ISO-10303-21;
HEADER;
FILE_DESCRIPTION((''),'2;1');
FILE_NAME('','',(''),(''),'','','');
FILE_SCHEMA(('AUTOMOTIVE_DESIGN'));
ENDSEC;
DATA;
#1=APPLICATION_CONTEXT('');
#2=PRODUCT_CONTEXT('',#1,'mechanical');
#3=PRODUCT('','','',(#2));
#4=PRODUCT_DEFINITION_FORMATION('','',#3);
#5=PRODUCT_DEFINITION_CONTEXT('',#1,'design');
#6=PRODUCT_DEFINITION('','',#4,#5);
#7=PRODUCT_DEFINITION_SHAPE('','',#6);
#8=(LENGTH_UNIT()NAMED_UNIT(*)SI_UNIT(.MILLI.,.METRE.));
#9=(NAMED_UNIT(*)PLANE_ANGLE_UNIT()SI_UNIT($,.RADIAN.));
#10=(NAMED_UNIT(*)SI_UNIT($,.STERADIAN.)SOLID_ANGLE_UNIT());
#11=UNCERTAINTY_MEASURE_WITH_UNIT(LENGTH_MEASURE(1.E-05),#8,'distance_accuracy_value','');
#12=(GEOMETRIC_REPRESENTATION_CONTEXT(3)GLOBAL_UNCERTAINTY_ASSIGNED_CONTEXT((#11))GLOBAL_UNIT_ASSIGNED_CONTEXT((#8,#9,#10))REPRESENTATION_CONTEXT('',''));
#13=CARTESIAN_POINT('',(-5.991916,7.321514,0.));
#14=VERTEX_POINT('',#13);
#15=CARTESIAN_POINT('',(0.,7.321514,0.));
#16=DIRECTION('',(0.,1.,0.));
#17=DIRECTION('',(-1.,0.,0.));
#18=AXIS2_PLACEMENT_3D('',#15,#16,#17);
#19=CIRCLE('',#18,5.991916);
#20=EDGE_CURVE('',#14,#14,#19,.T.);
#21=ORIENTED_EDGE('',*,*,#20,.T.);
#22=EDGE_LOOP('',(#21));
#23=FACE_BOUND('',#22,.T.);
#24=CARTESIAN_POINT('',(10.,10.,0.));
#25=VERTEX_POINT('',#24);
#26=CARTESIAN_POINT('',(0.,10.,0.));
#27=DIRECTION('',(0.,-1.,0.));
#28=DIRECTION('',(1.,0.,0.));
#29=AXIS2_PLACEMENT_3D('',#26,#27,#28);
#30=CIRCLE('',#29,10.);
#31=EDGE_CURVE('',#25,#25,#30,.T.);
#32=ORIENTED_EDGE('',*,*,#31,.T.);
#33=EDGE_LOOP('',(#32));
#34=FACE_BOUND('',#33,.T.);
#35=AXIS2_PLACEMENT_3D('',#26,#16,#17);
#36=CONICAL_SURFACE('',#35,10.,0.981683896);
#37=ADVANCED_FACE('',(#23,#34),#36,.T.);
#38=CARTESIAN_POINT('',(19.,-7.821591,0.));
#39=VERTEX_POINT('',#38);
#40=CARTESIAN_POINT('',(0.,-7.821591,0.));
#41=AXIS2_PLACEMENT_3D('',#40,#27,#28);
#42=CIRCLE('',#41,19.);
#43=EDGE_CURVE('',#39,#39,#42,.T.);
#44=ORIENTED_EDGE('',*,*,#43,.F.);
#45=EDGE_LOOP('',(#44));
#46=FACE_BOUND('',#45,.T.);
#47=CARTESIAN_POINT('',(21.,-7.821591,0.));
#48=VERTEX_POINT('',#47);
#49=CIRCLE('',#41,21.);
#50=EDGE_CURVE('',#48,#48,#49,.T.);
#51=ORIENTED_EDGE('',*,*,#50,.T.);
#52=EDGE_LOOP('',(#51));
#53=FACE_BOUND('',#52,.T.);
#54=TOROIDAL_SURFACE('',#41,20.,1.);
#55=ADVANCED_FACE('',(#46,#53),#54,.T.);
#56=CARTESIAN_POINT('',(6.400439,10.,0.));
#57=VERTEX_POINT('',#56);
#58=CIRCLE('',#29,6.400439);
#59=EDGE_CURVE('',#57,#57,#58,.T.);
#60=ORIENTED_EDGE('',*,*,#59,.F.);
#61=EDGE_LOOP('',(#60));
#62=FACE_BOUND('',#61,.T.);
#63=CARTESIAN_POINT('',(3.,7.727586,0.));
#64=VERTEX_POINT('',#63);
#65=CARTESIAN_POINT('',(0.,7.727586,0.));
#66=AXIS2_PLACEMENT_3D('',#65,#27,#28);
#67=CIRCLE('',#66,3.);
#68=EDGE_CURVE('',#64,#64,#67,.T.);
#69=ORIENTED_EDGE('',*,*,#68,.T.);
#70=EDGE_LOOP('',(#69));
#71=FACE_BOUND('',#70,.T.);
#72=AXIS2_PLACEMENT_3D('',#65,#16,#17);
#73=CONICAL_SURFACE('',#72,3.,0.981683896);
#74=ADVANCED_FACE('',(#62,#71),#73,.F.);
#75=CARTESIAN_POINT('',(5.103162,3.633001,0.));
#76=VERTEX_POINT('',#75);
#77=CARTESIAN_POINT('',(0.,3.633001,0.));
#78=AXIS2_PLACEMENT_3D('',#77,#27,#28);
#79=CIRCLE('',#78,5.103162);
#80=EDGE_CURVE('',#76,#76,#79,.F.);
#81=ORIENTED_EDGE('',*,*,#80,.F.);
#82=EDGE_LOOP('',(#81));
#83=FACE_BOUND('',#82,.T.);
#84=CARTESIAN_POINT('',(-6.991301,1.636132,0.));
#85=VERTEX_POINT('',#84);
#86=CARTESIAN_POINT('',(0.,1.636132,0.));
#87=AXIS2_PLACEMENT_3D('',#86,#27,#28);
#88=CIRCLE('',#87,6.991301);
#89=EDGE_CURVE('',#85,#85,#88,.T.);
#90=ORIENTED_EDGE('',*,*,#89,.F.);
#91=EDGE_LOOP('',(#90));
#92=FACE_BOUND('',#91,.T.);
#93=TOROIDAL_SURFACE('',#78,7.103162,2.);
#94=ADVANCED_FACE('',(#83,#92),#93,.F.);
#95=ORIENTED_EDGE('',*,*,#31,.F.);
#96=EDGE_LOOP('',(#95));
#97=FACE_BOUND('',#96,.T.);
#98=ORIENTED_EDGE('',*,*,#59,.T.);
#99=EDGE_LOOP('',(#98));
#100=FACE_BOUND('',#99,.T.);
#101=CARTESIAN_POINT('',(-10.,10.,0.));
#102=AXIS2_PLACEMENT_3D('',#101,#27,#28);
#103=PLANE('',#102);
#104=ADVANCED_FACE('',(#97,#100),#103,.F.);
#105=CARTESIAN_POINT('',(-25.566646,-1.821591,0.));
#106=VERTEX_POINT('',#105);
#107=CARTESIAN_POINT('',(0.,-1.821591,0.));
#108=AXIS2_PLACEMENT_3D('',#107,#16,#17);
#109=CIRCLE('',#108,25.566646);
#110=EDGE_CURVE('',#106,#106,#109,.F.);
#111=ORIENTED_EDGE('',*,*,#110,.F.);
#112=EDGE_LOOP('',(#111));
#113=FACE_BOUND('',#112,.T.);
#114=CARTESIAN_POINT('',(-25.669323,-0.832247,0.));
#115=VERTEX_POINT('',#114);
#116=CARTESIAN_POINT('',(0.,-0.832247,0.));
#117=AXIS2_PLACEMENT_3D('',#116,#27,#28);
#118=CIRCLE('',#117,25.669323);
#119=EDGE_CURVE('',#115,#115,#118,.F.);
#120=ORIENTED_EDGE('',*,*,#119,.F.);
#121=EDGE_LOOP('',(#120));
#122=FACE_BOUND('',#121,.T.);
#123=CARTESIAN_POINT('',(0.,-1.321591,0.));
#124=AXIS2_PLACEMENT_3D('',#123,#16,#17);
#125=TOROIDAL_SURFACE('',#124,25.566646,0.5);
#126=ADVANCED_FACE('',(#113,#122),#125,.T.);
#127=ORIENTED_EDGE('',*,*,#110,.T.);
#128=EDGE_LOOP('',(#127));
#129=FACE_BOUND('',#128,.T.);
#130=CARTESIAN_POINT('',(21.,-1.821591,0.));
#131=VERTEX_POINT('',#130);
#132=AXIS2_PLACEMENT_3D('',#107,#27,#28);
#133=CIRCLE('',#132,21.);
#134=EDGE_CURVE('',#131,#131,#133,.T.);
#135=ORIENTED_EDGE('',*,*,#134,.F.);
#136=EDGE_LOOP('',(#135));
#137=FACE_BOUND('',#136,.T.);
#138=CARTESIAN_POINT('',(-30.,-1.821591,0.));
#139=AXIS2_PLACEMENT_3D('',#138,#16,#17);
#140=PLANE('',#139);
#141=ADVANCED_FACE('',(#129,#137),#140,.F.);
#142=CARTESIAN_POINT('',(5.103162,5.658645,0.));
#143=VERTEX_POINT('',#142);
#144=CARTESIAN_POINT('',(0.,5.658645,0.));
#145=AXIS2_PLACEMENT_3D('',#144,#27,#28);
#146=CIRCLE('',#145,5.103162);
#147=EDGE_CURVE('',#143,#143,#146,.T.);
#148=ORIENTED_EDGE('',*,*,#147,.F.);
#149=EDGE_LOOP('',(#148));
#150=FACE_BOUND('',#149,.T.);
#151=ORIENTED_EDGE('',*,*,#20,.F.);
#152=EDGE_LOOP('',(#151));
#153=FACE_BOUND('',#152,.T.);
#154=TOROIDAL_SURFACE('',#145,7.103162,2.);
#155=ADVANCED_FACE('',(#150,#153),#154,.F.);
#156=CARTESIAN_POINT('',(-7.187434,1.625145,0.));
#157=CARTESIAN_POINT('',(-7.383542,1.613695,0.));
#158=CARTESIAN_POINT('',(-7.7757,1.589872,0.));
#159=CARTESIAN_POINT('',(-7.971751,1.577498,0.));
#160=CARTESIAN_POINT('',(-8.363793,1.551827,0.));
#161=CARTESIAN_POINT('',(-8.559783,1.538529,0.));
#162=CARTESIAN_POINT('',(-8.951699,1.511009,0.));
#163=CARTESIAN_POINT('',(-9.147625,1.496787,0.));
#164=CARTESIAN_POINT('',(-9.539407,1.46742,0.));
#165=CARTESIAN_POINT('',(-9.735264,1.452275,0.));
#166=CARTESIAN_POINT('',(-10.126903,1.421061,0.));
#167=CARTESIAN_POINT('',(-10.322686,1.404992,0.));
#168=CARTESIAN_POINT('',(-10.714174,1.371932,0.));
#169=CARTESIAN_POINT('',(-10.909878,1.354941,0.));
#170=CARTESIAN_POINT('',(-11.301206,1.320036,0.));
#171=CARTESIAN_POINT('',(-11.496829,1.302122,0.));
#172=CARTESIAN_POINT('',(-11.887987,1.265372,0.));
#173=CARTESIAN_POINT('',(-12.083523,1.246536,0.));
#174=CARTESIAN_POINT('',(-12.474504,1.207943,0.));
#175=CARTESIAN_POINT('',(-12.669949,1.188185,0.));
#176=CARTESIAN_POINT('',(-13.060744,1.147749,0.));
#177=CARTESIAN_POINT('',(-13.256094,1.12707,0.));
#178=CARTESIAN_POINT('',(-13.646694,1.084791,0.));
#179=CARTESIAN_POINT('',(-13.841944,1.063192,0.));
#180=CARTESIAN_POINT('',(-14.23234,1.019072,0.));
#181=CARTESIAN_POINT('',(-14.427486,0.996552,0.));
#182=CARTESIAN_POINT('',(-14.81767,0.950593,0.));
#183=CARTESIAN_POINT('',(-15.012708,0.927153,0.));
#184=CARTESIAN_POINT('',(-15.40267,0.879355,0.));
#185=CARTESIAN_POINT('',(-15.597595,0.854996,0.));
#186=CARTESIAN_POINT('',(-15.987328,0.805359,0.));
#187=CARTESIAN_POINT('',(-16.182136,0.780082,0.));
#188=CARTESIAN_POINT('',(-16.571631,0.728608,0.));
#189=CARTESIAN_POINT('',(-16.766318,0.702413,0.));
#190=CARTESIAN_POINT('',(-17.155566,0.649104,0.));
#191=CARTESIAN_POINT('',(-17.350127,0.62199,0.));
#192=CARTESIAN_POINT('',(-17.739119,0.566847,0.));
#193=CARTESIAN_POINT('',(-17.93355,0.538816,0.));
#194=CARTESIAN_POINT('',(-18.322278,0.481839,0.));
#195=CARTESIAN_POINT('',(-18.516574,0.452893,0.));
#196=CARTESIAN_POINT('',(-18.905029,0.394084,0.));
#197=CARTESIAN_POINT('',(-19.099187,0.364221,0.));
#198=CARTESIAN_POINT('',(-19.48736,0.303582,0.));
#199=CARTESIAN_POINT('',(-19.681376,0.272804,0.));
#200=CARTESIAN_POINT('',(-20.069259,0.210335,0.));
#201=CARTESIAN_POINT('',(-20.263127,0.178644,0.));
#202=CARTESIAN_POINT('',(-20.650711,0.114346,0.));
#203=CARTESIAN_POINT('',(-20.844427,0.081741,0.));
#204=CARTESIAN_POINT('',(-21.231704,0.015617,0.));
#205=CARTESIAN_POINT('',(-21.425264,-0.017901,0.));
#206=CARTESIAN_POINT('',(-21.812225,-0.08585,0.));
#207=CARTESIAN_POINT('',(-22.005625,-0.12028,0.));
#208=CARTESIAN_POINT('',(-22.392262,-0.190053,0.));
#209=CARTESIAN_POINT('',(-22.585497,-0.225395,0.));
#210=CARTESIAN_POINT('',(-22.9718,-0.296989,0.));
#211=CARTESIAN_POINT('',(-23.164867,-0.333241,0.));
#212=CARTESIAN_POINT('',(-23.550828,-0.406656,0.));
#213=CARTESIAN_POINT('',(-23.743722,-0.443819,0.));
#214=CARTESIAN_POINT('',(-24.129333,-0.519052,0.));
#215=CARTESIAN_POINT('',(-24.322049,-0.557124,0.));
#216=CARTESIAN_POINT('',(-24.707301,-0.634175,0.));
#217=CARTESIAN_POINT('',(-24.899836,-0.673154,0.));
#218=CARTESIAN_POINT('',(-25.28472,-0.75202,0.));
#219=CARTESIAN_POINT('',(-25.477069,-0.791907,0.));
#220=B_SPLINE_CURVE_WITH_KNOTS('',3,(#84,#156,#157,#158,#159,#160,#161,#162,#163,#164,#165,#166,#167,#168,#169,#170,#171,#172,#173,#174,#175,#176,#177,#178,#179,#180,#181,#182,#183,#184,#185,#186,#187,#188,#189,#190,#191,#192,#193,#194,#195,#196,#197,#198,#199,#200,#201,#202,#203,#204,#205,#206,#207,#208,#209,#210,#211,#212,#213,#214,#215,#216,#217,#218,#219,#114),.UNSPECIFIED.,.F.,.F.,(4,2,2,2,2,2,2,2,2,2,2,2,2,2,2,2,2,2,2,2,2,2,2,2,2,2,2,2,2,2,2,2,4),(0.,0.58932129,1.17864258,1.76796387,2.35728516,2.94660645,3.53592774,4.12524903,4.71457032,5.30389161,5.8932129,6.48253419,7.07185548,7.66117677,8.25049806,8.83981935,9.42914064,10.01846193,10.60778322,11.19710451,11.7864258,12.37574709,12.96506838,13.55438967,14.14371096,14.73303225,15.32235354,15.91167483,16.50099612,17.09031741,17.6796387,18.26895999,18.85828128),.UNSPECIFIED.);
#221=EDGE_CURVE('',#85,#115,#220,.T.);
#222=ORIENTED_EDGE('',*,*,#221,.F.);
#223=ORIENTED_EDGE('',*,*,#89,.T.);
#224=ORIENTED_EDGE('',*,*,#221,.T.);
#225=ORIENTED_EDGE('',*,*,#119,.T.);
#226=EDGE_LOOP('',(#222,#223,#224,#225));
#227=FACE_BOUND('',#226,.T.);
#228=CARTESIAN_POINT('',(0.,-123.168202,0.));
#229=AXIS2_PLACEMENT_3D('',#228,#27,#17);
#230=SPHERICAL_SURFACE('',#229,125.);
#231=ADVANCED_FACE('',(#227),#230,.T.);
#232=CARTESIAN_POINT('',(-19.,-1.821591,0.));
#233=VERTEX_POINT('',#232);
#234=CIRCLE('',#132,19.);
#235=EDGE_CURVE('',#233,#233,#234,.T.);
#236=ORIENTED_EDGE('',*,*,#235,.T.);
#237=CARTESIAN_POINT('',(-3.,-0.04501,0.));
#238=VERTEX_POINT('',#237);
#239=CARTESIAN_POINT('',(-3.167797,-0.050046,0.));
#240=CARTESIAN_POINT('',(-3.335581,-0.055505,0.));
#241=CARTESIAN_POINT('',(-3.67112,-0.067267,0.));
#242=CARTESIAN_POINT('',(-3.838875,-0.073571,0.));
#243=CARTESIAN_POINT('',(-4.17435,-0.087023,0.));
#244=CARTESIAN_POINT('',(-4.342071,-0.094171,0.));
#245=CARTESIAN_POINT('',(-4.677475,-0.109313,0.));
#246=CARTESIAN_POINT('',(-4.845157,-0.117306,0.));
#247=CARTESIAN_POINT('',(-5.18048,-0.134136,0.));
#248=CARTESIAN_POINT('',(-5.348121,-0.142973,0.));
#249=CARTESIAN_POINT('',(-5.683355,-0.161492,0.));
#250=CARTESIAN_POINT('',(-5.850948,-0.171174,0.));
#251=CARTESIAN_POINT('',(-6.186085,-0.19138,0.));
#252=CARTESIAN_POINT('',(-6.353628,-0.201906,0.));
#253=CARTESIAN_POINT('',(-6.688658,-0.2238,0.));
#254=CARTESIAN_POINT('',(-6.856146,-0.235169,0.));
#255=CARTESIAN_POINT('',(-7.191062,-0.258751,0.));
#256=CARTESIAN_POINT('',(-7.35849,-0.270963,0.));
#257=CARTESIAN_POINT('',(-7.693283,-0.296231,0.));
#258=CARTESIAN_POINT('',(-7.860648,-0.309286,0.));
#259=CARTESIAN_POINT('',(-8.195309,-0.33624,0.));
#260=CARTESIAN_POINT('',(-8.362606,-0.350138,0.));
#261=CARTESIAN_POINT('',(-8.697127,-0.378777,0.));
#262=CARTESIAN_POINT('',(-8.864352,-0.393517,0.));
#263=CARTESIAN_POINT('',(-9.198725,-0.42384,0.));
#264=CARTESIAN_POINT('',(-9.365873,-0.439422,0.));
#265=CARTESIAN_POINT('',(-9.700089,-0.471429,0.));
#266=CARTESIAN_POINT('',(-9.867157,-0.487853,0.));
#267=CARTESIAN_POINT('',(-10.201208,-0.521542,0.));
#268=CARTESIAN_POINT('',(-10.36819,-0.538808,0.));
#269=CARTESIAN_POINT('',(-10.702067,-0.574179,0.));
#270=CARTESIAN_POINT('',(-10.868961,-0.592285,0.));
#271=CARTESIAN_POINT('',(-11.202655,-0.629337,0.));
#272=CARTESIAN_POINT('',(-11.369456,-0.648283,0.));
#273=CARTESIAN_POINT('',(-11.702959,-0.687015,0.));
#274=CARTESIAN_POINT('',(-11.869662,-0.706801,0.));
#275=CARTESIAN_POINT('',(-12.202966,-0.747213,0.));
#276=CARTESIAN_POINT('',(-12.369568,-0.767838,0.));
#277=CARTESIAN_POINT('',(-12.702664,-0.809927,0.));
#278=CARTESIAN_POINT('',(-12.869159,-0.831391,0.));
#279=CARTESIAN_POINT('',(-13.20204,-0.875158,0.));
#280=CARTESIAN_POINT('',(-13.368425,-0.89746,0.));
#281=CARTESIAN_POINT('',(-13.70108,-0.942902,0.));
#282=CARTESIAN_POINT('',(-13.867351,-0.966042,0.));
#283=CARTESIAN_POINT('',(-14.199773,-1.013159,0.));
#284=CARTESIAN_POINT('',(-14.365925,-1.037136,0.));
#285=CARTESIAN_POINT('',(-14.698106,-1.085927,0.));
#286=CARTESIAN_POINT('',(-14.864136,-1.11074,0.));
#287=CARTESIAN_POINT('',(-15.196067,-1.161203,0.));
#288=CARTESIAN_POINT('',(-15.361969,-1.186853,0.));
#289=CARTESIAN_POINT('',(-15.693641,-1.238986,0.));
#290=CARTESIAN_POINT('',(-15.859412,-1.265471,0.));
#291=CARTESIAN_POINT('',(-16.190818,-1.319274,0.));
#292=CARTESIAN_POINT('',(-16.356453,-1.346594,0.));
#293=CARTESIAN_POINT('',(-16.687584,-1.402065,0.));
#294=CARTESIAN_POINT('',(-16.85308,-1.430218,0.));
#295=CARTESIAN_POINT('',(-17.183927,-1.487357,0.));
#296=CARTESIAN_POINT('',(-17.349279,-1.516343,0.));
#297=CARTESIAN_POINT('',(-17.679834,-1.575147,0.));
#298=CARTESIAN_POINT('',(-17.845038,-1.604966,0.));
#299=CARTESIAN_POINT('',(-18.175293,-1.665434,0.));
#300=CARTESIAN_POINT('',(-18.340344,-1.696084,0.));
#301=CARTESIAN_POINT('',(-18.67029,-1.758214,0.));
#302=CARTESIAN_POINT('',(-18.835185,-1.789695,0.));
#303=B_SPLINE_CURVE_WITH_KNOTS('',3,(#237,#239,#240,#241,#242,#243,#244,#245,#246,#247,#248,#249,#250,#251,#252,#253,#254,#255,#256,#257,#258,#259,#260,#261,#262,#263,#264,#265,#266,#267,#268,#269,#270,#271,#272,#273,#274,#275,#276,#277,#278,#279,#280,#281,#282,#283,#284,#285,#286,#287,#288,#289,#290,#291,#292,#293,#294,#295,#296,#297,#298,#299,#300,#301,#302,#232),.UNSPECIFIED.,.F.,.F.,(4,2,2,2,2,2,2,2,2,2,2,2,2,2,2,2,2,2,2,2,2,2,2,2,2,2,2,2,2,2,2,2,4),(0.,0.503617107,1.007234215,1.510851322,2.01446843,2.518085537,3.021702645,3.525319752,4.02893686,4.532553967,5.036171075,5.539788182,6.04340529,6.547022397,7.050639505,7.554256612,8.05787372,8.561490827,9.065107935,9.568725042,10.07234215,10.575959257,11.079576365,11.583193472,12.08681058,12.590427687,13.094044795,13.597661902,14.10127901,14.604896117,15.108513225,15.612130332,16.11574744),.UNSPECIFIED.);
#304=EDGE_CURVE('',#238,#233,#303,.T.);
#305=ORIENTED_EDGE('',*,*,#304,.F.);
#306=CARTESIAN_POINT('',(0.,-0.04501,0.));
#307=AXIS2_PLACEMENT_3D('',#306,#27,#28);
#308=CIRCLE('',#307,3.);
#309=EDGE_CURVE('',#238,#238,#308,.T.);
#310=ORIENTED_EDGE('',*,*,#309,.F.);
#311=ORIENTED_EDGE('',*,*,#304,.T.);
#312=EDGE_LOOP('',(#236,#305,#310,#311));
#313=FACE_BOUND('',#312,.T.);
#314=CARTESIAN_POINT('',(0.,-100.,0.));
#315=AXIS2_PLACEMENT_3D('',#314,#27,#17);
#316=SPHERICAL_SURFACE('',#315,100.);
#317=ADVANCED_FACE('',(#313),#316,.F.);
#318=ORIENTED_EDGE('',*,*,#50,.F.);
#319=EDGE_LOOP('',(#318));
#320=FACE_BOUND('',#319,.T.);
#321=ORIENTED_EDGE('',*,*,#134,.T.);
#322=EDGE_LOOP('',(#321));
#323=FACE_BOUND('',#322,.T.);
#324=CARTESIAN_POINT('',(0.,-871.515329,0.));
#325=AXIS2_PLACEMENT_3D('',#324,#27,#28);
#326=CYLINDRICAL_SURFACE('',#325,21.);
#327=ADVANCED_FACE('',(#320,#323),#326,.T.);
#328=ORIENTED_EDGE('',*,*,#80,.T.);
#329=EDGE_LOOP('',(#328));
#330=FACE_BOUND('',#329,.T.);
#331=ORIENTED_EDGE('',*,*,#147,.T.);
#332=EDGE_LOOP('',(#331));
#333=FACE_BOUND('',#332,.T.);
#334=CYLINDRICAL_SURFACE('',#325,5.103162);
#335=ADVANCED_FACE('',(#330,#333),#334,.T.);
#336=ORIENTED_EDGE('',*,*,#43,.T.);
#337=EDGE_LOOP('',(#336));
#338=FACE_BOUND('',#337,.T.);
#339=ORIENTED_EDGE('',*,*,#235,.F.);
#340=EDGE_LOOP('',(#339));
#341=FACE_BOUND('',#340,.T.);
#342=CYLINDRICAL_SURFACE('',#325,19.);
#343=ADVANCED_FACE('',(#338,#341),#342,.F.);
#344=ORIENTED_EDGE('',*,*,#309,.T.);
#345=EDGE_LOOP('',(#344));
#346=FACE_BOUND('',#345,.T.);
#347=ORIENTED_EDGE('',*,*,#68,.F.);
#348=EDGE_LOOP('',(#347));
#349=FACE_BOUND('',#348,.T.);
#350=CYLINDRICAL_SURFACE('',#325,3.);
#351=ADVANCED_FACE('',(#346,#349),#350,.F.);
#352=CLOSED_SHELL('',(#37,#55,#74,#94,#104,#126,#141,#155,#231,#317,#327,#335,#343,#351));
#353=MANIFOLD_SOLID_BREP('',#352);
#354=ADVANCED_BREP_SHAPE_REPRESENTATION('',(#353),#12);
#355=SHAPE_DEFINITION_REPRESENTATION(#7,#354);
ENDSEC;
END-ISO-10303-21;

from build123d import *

# Parameters (mm, degrees)
FILLET_1_R = 0.5
FILLET_2_R = 2


with BuildPart() as part:
    # 草图1 → 旋转1 (revolve)
    with BuildSketch(Plane.XY, mode=Mode.PRIVATE) as revolve_1_sk:
        with BuildLine():
            Line((-19, -1.821590968), (-19, -7.821590968))
            ThreePointArc((-19, -7.821590968), (-20, -8.821590968), (-21, -7.821590968))
            Line((-21, -7.821590968), (-21, -1.821590968))
            Line((-21, -1.821590968), (-30, -1.821590968))
            ThreePointArc((-30, -1.821590968), (-17.641064618, 0.580708493), (-5.103162102, 1.727585542))
            Line((-5.103162102, 1.727585542), (-5.103162102, 6.727585542))
            Line((-5.103162102, 6.727585542), (-10, 10))
            Line((-10, 10), (-6.400438845, 10))
            Line((-6.400438845, 10), (-3, 7.727585542))
            Line((-3, 7.727585542), (-3, -0.04501013))
            ThreePointArc((-3, -0.04501013), (-11.035808075, -0.610810748), (-19, -1.821590968))
        make_face()
    revolve(revolve_1_sk.sketch.rotate(Axis((0, -871.515328951, 0), (0, 1, 0)), 180), axis=Axis((0, -871.515328951, 0), (0, 1, 0)))

    # 圆角1
    fillet_1_edges = [part.edges().sort_by_distance(p)[0] for p in [
        (-30, -1.821590968, 0),
    ]]
    fillet(fillet_1_edges, radius=FILLET_1_R)

    # 圆角2
    fillet_2_edges = [part.edges().sort_by_distance(p)[0] for p in [
        (-5.103162102, 1.727585542, 0),
        (-5.103162102, 6.727585542, 0),
    ]]
    fillet(fillet_2_edges, radius=FILLET_2_R)


solid = part.part
